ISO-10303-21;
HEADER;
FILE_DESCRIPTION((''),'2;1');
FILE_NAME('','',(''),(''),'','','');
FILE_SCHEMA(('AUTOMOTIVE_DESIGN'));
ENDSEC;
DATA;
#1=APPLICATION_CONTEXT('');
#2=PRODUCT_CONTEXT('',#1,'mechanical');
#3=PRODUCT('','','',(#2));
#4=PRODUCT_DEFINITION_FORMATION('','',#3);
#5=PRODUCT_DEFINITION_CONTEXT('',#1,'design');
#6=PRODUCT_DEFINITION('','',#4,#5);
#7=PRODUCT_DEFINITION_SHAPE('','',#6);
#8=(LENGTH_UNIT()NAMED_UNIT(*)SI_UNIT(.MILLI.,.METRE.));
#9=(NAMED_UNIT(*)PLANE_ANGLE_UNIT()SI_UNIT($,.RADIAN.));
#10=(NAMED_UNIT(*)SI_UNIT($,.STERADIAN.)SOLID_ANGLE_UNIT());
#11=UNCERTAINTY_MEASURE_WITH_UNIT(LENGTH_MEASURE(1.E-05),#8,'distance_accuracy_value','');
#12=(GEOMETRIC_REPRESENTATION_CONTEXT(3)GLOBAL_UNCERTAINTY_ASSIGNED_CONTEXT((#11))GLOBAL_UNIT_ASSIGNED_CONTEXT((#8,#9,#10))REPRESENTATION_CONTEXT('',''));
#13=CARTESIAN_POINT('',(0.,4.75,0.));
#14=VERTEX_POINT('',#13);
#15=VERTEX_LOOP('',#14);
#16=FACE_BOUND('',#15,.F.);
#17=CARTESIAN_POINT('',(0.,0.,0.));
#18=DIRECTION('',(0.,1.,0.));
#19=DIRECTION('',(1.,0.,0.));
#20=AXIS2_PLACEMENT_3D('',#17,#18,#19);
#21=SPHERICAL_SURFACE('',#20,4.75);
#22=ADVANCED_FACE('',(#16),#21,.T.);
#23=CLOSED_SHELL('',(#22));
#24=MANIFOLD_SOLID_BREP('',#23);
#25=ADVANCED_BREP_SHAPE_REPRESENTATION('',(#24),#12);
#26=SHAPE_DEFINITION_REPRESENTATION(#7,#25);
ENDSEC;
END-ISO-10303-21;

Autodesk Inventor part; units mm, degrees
ref_plane "YZ Plane" through (0, 0, 0) normal (1, 0, 0) x (0, 1, 0)
ref_plane "XZ Plane" through (0, 0, 0) normal (0, 1, 0) x (-1, 0, 0)
ref_plane "XY Plane" through (0, 0, 0) normal (0, 0, 1) x (1, 0, 0)
sketch "Эскиз1" plane through (0, 0, 0) normal (0, 0, 1) x (1, 0, 0)
  line L0 (0, 4.75) -> (0, -4.75)
  arc A0 (0, -4.75) -> (0, 4.75) centre (0, 0) ccw
  dimension "d0" = 4.75
revolve "Вращение1" add sketch "Эскиз1" angle 360 about axis through (0, 4.75, 0) along (0, -1, 0)
properties part number "76. Шарик фиксатора"
